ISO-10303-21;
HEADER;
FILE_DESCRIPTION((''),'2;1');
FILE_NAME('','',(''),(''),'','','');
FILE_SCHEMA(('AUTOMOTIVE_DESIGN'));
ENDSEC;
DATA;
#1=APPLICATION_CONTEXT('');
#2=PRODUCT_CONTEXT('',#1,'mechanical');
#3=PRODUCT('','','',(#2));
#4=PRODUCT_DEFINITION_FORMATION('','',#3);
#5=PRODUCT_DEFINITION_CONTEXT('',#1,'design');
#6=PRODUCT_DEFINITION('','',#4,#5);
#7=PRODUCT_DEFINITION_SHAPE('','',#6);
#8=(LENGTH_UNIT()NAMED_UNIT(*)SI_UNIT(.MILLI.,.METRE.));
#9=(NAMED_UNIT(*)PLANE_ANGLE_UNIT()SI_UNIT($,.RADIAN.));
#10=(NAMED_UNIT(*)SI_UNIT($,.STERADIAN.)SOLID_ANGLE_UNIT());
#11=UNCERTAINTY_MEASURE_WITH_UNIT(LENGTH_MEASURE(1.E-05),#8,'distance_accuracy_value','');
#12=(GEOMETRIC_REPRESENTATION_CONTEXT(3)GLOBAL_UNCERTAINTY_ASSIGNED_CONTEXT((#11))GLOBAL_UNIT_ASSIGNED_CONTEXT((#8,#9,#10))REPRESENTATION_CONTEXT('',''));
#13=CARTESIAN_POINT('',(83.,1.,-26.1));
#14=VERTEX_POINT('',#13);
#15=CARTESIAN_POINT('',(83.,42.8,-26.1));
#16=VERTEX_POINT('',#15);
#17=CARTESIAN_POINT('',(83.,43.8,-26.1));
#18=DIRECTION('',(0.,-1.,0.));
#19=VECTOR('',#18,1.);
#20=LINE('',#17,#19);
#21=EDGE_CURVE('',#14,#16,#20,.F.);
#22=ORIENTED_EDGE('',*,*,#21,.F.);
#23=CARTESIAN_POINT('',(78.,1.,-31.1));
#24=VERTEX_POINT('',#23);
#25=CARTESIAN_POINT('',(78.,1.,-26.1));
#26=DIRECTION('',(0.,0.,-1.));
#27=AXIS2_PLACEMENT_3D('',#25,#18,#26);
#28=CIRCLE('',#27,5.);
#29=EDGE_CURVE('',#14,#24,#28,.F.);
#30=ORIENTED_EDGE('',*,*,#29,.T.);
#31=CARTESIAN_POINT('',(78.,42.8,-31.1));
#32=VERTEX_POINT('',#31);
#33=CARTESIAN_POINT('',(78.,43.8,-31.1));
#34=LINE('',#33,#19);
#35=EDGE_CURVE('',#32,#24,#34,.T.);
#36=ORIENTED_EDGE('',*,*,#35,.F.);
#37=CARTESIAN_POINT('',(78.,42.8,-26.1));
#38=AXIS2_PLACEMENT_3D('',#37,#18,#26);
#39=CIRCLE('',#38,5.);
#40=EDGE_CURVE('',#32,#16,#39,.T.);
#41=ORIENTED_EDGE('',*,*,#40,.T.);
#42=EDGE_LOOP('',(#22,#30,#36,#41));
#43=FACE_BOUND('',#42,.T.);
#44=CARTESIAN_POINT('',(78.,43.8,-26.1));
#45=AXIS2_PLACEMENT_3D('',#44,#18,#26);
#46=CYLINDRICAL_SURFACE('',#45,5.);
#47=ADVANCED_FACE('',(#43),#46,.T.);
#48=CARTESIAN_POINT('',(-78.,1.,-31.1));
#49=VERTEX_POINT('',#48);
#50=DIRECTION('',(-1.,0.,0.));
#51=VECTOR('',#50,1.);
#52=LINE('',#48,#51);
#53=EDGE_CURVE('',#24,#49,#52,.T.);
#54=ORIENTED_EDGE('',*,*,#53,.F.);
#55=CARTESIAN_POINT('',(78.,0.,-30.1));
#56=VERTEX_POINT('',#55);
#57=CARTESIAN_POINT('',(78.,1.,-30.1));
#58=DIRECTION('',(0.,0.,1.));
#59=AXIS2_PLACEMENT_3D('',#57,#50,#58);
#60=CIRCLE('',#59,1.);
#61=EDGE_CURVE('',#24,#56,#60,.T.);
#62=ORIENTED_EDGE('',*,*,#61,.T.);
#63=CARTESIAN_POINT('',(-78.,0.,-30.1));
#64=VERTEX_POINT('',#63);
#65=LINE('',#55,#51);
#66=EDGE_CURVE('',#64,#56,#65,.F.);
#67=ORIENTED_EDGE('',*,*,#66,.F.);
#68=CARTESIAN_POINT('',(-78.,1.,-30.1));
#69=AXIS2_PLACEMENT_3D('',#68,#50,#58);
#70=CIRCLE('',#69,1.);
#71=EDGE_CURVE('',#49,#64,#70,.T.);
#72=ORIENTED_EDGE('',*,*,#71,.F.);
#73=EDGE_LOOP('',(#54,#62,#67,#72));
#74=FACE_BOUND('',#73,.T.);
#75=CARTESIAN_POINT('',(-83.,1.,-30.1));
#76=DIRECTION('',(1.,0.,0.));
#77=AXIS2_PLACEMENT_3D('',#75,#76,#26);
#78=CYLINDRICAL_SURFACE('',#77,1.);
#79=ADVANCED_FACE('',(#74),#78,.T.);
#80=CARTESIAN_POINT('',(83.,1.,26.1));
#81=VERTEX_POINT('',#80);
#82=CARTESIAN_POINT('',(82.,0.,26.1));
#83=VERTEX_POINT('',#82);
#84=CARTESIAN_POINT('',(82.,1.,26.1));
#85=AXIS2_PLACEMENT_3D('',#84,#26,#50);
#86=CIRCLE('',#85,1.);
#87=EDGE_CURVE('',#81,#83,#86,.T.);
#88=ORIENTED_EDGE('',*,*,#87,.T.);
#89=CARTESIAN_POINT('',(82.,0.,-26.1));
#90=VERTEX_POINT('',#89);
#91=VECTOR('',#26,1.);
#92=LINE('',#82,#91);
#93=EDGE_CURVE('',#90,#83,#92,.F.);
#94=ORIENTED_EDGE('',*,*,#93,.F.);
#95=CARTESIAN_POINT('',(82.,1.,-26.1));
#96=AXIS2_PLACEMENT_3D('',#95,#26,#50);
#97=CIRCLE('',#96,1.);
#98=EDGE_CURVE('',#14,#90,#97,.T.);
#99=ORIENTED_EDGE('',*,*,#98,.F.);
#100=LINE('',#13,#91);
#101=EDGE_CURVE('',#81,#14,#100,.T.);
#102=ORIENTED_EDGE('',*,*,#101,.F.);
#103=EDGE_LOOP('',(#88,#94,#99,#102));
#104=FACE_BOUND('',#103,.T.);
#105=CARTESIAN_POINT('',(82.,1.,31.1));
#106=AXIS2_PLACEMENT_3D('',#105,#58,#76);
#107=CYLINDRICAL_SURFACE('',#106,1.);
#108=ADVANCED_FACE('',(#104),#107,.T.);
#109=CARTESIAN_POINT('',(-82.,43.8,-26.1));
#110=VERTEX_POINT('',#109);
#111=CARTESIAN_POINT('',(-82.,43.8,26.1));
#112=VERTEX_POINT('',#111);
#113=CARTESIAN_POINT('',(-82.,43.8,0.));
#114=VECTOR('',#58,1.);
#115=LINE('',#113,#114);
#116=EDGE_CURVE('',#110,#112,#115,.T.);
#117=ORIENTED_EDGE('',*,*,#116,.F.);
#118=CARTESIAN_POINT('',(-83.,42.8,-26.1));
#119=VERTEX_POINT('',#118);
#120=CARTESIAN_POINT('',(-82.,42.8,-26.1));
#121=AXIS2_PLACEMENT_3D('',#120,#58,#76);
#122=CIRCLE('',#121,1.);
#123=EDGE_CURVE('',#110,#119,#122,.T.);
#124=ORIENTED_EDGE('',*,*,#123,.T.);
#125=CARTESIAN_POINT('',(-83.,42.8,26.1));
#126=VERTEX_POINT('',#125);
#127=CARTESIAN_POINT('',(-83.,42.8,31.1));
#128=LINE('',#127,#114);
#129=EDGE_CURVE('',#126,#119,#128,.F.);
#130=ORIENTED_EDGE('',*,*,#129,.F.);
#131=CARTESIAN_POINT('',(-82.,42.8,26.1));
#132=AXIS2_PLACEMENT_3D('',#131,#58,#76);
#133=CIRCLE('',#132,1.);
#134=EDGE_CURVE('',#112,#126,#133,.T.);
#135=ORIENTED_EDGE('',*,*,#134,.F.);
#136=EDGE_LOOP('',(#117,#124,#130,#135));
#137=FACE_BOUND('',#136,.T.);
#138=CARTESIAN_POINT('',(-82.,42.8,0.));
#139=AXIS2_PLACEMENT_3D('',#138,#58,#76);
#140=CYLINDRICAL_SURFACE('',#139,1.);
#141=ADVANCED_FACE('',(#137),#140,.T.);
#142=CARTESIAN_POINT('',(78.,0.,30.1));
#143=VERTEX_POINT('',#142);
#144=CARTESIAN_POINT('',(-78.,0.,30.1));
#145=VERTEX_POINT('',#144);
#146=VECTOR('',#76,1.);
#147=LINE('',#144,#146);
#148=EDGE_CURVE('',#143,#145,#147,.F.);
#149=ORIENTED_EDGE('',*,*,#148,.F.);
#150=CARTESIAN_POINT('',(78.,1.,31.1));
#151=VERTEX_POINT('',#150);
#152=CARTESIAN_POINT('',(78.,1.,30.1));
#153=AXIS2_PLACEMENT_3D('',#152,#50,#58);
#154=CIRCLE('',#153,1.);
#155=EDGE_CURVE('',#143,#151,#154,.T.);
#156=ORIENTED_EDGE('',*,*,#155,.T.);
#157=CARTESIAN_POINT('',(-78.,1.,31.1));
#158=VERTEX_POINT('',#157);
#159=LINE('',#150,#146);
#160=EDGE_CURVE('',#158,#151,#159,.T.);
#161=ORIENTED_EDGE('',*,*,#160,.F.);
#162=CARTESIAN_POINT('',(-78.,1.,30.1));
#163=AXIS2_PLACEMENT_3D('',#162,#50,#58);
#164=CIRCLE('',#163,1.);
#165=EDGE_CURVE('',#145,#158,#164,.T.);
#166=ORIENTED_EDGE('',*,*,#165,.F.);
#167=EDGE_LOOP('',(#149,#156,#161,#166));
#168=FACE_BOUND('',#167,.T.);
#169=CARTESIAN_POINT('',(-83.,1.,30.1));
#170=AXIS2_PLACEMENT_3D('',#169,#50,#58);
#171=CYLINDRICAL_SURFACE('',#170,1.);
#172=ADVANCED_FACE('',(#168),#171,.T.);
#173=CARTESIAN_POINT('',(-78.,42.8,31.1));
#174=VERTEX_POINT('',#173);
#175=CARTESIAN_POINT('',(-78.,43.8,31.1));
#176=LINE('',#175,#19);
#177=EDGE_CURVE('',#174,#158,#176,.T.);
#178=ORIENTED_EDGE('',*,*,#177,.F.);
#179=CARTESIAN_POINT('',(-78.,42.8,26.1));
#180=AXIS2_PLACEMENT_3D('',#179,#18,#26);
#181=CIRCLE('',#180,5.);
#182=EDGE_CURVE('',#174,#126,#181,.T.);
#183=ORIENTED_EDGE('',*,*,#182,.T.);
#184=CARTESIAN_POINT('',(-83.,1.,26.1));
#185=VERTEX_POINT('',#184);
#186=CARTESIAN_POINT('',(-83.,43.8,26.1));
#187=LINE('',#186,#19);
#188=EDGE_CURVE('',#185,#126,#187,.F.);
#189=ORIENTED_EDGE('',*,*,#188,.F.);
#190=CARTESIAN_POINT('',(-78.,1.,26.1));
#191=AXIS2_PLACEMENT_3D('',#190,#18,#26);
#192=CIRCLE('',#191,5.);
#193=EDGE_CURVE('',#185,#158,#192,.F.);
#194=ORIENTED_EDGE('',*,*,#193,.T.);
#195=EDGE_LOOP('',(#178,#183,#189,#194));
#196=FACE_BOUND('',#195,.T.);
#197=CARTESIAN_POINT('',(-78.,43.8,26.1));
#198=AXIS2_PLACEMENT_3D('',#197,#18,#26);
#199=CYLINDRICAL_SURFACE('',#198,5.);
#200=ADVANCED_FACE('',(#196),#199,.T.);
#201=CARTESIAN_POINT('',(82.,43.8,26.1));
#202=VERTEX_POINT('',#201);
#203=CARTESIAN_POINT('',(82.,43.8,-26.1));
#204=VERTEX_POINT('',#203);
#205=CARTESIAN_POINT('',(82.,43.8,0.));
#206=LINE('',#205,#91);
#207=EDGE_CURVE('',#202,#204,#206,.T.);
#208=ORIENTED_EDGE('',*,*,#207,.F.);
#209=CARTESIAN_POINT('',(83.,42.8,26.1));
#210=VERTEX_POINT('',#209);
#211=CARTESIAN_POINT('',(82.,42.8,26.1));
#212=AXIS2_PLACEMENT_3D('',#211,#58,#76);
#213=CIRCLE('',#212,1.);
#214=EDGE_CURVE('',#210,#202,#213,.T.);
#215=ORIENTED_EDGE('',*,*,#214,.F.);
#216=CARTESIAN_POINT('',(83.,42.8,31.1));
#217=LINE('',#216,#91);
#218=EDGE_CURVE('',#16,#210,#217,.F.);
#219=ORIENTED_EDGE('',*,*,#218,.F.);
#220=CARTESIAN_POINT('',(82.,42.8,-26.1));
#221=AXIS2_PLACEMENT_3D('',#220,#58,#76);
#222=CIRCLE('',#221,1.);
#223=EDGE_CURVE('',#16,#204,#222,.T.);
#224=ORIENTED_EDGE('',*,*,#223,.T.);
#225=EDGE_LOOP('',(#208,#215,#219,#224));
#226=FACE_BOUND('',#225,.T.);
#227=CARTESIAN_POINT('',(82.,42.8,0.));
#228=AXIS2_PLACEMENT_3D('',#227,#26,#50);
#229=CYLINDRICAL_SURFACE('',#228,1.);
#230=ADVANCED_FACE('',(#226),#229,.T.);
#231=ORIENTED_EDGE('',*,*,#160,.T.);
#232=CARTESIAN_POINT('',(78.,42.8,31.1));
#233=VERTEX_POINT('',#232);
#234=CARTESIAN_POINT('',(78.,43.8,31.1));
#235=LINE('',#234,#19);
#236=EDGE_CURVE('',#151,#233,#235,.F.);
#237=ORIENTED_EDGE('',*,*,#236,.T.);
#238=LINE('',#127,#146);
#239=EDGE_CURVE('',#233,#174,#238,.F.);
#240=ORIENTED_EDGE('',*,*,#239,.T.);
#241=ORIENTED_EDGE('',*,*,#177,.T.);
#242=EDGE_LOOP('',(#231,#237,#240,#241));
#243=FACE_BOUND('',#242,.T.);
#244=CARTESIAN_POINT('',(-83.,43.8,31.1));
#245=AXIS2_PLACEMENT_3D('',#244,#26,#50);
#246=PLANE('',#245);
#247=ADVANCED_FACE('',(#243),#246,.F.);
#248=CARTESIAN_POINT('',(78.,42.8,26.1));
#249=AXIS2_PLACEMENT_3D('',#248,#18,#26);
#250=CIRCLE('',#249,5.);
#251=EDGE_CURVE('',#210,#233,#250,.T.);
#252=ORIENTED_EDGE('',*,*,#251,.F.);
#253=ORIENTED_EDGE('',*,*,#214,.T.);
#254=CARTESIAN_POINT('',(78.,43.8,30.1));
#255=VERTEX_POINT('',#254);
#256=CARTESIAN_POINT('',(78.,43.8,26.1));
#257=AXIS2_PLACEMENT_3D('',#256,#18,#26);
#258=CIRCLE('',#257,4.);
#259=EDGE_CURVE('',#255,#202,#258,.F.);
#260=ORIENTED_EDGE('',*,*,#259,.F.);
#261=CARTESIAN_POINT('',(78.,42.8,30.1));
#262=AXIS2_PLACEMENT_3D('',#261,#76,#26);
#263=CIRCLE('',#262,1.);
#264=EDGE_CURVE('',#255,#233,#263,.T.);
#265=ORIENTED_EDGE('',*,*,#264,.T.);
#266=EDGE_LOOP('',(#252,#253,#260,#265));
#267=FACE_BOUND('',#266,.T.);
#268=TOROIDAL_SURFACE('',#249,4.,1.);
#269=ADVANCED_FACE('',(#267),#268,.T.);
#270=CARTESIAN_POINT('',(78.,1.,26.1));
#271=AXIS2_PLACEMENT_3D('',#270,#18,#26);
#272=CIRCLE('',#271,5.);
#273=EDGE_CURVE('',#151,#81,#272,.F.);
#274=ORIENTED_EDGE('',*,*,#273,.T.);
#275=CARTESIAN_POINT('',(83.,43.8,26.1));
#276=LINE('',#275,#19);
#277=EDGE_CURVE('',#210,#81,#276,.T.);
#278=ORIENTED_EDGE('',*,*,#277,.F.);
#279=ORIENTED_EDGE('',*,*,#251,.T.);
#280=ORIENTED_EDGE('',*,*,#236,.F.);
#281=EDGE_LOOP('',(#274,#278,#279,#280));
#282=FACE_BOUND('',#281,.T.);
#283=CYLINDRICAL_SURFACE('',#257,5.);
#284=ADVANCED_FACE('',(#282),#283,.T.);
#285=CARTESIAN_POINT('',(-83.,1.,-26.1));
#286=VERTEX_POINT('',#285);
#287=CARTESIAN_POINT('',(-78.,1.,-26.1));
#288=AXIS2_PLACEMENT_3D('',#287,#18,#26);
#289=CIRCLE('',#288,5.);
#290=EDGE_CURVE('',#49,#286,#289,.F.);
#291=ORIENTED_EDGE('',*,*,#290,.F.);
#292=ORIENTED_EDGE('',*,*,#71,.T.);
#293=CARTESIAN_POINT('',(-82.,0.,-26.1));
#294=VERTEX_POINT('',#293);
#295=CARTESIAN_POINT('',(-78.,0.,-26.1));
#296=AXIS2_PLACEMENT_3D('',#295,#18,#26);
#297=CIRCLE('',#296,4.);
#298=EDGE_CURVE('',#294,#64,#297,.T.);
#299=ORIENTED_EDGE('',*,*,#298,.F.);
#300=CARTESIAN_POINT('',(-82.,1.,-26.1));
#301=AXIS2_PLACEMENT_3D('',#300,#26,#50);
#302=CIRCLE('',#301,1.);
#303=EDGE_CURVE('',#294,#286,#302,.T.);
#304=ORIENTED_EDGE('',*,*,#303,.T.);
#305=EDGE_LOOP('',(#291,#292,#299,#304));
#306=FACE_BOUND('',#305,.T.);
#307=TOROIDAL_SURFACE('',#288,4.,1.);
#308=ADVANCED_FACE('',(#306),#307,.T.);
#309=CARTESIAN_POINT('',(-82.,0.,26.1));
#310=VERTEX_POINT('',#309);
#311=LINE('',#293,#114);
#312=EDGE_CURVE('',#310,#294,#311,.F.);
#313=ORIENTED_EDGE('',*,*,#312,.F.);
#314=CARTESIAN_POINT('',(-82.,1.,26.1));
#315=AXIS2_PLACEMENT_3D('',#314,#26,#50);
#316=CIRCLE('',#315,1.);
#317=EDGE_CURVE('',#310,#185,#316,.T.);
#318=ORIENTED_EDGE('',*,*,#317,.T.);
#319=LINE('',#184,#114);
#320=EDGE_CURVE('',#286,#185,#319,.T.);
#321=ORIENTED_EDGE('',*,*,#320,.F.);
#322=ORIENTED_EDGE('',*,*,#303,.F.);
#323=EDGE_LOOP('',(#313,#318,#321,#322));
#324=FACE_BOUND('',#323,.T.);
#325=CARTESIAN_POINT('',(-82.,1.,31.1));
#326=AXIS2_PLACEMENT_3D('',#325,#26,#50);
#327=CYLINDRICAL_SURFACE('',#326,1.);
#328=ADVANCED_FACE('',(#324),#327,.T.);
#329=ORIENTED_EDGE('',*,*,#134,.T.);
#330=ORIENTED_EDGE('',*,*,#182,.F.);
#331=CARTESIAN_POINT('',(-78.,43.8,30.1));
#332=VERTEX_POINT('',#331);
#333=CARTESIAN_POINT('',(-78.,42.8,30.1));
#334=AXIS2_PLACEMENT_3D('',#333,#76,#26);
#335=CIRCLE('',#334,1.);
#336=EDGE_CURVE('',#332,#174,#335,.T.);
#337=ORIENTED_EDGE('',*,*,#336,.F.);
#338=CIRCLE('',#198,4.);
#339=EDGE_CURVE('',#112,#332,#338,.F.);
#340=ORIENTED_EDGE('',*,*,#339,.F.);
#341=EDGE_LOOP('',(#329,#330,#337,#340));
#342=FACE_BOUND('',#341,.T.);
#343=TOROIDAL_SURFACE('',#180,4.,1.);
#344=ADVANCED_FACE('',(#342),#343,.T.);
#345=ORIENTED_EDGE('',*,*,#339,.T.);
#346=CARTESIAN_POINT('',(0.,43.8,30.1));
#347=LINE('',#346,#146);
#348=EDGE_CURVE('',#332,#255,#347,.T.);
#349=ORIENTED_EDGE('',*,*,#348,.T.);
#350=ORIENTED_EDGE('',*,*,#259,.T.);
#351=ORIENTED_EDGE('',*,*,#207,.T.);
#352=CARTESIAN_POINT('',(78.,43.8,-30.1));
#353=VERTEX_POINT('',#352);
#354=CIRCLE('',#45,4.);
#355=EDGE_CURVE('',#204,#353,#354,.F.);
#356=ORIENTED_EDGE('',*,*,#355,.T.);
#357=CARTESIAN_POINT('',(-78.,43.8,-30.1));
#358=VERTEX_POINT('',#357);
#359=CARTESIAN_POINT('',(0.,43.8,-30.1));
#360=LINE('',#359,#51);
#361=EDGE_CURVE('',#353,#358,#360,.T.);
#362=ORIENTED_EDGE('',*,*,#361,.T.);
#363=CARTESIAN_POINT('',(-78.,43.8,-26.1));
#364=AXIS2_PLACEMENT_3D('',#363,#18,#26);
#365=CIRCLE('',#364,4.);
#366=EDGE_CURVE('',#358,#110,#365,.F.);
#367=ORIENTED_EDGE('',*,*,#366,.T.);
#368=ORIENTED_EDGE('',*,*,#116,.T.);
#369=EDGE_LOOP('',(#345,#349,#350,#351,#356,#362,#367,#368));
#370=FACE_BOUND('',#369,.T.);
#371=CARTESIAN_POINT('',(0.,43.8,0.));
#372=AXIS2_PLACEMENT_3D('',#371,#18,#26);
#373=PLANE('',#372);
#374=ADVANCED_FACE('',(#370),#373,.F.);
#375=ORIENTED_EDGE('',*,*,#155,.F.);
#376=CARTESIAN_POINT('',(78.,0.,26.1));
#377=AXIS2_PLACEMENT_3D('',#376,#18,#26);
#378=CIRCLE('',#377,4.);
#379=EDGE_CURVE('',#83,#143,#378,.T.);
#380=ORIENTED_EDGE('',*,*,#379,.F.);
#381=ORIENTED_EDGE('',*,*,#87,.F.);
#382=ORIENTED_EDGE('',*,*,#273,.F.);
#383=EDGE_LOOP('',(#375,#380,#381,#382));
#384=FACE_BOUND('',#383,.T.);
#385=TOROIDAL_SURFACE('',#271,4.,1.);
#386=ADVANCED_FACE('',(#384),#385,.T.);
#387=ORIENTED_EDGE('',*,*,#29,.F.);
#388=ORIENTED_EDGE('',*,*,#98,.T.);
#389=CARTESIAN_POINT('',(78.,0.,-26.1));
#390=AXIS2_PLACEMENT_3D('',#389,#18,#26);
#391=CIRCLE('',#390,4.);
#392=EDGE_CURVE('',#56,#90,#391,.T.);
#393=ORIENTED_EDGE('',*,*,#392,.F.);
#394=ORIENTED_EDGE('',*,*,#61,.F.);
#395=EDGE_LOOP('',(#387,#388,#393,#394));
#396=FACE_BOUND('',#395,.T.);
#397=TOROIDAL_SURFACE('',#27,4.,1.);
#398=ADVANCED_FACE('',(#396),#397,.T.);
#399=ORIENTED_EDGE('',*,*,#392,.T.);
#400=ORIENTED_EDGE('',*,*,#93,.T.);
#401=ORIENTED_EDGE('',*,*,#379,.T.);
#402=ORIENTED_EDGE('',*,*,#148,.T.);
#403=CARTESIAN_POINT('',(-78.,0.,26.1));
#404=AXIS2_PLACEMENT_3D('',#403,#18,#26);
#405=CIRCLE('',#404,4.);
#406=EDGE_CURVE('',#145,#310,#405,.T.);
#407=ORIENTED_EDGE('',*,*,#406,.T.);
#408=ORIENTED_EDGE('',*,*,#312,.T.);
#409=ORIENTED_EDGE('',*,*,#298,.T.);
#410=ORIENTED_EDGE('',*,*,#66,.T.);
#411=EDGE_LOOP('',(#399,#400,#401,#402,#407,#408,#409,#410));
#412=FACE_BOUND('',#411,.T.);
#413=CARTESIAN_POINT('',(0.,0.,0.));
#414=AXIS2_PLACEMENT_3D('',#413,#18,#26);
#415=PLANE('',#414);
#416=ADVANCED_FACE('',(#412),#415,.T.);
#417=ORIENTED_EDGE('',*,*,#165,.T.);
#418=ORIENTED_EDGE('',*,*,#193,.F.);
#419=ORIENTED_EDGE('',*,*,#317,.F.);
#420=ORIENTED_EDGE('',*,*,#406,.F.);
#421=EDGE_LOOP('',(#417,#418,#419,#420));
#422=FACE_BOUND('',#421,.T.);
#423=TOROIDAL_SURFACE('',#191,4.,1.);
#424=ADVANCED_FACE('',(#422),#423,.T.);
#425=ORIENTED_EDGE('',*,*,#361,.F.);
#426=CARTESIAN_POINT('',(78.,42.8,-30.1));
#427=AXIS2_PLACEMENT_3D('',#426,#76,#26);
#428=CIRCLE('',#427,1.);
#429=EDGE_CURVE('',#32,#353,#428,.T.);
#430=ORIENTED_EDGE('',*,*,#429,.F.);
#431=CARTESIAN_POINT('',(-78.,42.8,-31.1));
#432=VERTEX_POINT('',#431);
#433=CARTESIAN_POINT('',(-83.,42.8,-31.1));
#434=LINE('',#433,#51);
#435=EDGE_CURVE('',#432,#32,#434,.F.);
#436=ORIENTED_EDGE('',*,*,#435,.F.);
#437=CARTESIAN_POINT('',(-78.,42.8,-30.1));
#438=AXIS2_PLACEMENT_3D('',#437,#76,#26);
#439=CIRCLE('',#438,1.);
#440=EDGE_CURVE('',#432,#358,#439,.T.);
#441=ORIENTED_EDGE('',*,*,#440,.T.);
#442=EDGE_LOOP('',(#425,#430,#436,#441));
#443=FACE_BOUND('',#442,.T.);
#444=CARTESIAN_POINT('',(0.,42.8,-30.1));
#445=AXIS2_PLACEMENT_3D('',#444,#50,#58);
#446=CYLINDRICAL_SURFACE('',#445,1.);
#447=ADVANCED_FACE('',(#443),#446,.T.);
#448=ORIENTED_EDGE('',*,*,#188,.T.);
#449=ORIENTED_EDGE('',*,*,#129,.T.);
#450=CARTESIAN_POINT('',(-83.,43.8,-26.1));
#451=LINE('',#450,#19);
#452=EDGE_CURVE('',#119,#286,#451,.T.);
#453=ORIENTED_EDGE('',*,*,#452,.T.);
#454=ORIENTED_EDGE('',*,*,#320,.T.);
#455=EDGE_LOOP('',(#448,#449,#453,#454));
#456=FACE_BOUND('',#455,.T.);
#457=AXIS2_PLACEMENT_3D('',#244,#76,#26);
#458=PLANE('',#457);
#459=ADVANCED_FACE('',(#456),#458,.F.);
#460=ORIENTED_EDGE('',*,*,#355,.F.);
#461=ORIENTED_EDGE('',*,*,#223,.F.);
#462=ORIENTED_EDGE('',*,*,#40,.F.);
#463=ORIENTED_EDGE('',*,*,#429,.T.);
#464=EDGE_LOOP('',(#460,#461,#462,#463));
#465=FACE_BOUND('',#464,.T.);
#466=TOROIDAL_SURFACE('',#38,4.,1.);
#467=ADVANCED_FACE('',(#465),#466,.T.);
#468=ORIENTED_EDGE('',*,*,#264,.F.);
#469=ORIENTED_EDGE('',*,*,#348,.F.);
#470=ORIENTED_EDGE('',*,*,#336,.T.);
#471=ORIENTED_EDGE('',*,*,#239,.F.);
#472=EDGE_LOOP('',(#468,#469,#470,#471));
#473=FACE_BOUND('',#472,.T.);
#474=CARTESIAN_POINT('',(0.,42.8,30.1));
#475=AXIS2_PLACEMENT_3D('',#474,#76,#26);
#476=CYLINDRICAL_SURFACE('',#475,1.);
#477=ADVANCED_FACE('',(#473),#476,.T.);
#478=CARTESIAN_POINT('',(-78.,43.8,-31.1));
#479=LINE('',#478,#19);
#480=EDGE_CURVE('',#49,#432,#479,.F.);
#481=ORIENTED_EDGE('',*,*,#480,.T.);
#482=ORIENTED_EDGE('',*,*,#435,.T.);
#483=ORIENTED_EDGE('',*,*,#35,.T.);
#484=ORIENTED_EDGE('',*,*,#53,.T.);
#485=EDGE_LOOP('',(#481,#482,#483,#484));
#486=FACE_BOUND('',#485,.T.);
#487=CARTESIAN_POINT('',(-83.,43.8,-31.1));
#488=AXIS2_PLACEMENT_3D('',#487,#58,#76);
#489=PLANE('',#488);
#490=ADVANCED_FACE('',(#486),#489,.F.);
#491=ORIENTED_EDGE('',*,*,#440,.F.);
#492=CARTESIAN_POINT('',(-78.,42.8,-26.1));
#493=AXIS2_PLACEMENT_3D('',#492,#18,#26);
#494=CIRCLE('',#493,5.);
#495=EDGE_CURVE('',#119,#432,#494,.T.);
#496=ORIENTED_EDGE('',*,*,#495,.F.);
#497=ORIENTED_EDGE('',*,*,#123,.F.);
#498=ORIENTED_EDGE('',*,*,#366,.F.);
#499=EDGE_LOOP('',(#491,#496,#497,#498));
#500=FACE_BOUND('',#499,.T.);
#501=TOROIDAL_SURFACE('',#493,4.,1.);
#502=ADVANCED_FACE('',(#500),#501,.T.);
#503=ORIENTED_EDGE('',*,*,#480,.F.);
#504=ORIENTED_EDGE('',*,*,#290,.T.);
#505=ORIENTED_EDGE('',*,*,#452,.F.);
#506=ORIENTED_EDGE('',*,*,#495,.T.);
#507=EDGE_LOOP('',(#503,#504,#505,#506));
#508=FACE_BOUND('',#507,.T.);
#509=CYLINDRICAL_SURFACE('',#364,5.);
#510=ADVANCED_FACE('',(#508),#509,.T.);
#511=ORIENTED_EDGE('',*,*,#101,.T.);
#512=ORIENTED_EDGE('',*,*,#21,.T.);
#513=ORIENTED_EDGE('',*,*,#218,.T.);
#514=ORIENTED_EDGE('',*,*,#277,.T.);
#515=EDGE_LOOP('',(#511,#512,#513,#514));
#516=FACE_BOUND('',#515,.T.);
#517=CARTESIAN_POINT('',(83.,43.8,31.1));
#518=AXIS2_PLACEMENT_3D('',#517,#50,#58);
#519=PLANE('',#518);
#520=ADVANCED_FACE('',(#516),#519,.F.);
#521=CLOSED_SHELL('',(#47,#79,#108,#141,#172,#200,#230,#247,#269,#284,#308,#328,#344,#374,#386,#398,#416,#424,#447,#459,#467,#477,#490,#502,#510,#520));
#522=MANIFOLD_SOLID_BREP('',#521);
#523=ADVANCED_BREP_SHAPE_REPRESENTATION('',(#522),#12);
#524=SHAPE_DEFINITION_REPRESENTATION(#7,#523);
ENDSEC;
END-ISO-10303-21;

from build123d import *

# Parameters (mm, degrees)
SKETCH1_W           = 166
SKETCH1_H           = 62.2
BOSS_EXTRUDE1_DEPTH = 43.8
FILLET1_R           = 5
FILLET2_R           = 1


with BuildPart() as part:
    # Sketch1 → Boss-Extrude1 (new body)
    with BuildSketch(Plane(origin=(0, 0, 0), x_dir=(1, 0, 0), z_dir=(0, 1, 0))):
        Rectangle(SKETCH1_W, SKETCH1_H)
    extrude(amount=BOSS_EXTRUDE1_DEPTH)

    # Fillet1
    fillet1_edges = [part.edges().sort_by_distance(p)[0] for p in [
        (83, 21.9, 31.1),
        (-83, 21.9, 31.1),
        (-83, 21.9, -31.1),
        (83, 21.9, -31.1),
    ]]
    fillet(fillet1_edges, radius=FILLET1_R)

    # Fillet2
    fillet2_edges = [part.edges().sort_by_distance(p)[0] for p in [
        (0, 0, -31.1),
        (0, 43.8, -31.1),
        (83, 0, 0),
        (0, 0, 31.1),
        (-83, 0, 0),
        (-81.535533906, 0, 29.635533906),
        (-81.535533906, 0, -29.635533906),
        (81.535533906, 0, 29.635533906),
        (81.535533906, 0, -29.635533906),
        (83, 43.8, 0),
        (-83, 43.8, 0),
        (0, 43.8, 31.1),
        (-81.535533906, 43.8, 29.635533906),
        (-81.535533906, 43.8, -29.635533906),
        (81.535533906, 43.8, 29.635533906),
        (81.535533906, 43.8, -29.635533906),
    ]]
    fillet(fillet2_edges, radius=FILLET2_R)


solid = part.part
